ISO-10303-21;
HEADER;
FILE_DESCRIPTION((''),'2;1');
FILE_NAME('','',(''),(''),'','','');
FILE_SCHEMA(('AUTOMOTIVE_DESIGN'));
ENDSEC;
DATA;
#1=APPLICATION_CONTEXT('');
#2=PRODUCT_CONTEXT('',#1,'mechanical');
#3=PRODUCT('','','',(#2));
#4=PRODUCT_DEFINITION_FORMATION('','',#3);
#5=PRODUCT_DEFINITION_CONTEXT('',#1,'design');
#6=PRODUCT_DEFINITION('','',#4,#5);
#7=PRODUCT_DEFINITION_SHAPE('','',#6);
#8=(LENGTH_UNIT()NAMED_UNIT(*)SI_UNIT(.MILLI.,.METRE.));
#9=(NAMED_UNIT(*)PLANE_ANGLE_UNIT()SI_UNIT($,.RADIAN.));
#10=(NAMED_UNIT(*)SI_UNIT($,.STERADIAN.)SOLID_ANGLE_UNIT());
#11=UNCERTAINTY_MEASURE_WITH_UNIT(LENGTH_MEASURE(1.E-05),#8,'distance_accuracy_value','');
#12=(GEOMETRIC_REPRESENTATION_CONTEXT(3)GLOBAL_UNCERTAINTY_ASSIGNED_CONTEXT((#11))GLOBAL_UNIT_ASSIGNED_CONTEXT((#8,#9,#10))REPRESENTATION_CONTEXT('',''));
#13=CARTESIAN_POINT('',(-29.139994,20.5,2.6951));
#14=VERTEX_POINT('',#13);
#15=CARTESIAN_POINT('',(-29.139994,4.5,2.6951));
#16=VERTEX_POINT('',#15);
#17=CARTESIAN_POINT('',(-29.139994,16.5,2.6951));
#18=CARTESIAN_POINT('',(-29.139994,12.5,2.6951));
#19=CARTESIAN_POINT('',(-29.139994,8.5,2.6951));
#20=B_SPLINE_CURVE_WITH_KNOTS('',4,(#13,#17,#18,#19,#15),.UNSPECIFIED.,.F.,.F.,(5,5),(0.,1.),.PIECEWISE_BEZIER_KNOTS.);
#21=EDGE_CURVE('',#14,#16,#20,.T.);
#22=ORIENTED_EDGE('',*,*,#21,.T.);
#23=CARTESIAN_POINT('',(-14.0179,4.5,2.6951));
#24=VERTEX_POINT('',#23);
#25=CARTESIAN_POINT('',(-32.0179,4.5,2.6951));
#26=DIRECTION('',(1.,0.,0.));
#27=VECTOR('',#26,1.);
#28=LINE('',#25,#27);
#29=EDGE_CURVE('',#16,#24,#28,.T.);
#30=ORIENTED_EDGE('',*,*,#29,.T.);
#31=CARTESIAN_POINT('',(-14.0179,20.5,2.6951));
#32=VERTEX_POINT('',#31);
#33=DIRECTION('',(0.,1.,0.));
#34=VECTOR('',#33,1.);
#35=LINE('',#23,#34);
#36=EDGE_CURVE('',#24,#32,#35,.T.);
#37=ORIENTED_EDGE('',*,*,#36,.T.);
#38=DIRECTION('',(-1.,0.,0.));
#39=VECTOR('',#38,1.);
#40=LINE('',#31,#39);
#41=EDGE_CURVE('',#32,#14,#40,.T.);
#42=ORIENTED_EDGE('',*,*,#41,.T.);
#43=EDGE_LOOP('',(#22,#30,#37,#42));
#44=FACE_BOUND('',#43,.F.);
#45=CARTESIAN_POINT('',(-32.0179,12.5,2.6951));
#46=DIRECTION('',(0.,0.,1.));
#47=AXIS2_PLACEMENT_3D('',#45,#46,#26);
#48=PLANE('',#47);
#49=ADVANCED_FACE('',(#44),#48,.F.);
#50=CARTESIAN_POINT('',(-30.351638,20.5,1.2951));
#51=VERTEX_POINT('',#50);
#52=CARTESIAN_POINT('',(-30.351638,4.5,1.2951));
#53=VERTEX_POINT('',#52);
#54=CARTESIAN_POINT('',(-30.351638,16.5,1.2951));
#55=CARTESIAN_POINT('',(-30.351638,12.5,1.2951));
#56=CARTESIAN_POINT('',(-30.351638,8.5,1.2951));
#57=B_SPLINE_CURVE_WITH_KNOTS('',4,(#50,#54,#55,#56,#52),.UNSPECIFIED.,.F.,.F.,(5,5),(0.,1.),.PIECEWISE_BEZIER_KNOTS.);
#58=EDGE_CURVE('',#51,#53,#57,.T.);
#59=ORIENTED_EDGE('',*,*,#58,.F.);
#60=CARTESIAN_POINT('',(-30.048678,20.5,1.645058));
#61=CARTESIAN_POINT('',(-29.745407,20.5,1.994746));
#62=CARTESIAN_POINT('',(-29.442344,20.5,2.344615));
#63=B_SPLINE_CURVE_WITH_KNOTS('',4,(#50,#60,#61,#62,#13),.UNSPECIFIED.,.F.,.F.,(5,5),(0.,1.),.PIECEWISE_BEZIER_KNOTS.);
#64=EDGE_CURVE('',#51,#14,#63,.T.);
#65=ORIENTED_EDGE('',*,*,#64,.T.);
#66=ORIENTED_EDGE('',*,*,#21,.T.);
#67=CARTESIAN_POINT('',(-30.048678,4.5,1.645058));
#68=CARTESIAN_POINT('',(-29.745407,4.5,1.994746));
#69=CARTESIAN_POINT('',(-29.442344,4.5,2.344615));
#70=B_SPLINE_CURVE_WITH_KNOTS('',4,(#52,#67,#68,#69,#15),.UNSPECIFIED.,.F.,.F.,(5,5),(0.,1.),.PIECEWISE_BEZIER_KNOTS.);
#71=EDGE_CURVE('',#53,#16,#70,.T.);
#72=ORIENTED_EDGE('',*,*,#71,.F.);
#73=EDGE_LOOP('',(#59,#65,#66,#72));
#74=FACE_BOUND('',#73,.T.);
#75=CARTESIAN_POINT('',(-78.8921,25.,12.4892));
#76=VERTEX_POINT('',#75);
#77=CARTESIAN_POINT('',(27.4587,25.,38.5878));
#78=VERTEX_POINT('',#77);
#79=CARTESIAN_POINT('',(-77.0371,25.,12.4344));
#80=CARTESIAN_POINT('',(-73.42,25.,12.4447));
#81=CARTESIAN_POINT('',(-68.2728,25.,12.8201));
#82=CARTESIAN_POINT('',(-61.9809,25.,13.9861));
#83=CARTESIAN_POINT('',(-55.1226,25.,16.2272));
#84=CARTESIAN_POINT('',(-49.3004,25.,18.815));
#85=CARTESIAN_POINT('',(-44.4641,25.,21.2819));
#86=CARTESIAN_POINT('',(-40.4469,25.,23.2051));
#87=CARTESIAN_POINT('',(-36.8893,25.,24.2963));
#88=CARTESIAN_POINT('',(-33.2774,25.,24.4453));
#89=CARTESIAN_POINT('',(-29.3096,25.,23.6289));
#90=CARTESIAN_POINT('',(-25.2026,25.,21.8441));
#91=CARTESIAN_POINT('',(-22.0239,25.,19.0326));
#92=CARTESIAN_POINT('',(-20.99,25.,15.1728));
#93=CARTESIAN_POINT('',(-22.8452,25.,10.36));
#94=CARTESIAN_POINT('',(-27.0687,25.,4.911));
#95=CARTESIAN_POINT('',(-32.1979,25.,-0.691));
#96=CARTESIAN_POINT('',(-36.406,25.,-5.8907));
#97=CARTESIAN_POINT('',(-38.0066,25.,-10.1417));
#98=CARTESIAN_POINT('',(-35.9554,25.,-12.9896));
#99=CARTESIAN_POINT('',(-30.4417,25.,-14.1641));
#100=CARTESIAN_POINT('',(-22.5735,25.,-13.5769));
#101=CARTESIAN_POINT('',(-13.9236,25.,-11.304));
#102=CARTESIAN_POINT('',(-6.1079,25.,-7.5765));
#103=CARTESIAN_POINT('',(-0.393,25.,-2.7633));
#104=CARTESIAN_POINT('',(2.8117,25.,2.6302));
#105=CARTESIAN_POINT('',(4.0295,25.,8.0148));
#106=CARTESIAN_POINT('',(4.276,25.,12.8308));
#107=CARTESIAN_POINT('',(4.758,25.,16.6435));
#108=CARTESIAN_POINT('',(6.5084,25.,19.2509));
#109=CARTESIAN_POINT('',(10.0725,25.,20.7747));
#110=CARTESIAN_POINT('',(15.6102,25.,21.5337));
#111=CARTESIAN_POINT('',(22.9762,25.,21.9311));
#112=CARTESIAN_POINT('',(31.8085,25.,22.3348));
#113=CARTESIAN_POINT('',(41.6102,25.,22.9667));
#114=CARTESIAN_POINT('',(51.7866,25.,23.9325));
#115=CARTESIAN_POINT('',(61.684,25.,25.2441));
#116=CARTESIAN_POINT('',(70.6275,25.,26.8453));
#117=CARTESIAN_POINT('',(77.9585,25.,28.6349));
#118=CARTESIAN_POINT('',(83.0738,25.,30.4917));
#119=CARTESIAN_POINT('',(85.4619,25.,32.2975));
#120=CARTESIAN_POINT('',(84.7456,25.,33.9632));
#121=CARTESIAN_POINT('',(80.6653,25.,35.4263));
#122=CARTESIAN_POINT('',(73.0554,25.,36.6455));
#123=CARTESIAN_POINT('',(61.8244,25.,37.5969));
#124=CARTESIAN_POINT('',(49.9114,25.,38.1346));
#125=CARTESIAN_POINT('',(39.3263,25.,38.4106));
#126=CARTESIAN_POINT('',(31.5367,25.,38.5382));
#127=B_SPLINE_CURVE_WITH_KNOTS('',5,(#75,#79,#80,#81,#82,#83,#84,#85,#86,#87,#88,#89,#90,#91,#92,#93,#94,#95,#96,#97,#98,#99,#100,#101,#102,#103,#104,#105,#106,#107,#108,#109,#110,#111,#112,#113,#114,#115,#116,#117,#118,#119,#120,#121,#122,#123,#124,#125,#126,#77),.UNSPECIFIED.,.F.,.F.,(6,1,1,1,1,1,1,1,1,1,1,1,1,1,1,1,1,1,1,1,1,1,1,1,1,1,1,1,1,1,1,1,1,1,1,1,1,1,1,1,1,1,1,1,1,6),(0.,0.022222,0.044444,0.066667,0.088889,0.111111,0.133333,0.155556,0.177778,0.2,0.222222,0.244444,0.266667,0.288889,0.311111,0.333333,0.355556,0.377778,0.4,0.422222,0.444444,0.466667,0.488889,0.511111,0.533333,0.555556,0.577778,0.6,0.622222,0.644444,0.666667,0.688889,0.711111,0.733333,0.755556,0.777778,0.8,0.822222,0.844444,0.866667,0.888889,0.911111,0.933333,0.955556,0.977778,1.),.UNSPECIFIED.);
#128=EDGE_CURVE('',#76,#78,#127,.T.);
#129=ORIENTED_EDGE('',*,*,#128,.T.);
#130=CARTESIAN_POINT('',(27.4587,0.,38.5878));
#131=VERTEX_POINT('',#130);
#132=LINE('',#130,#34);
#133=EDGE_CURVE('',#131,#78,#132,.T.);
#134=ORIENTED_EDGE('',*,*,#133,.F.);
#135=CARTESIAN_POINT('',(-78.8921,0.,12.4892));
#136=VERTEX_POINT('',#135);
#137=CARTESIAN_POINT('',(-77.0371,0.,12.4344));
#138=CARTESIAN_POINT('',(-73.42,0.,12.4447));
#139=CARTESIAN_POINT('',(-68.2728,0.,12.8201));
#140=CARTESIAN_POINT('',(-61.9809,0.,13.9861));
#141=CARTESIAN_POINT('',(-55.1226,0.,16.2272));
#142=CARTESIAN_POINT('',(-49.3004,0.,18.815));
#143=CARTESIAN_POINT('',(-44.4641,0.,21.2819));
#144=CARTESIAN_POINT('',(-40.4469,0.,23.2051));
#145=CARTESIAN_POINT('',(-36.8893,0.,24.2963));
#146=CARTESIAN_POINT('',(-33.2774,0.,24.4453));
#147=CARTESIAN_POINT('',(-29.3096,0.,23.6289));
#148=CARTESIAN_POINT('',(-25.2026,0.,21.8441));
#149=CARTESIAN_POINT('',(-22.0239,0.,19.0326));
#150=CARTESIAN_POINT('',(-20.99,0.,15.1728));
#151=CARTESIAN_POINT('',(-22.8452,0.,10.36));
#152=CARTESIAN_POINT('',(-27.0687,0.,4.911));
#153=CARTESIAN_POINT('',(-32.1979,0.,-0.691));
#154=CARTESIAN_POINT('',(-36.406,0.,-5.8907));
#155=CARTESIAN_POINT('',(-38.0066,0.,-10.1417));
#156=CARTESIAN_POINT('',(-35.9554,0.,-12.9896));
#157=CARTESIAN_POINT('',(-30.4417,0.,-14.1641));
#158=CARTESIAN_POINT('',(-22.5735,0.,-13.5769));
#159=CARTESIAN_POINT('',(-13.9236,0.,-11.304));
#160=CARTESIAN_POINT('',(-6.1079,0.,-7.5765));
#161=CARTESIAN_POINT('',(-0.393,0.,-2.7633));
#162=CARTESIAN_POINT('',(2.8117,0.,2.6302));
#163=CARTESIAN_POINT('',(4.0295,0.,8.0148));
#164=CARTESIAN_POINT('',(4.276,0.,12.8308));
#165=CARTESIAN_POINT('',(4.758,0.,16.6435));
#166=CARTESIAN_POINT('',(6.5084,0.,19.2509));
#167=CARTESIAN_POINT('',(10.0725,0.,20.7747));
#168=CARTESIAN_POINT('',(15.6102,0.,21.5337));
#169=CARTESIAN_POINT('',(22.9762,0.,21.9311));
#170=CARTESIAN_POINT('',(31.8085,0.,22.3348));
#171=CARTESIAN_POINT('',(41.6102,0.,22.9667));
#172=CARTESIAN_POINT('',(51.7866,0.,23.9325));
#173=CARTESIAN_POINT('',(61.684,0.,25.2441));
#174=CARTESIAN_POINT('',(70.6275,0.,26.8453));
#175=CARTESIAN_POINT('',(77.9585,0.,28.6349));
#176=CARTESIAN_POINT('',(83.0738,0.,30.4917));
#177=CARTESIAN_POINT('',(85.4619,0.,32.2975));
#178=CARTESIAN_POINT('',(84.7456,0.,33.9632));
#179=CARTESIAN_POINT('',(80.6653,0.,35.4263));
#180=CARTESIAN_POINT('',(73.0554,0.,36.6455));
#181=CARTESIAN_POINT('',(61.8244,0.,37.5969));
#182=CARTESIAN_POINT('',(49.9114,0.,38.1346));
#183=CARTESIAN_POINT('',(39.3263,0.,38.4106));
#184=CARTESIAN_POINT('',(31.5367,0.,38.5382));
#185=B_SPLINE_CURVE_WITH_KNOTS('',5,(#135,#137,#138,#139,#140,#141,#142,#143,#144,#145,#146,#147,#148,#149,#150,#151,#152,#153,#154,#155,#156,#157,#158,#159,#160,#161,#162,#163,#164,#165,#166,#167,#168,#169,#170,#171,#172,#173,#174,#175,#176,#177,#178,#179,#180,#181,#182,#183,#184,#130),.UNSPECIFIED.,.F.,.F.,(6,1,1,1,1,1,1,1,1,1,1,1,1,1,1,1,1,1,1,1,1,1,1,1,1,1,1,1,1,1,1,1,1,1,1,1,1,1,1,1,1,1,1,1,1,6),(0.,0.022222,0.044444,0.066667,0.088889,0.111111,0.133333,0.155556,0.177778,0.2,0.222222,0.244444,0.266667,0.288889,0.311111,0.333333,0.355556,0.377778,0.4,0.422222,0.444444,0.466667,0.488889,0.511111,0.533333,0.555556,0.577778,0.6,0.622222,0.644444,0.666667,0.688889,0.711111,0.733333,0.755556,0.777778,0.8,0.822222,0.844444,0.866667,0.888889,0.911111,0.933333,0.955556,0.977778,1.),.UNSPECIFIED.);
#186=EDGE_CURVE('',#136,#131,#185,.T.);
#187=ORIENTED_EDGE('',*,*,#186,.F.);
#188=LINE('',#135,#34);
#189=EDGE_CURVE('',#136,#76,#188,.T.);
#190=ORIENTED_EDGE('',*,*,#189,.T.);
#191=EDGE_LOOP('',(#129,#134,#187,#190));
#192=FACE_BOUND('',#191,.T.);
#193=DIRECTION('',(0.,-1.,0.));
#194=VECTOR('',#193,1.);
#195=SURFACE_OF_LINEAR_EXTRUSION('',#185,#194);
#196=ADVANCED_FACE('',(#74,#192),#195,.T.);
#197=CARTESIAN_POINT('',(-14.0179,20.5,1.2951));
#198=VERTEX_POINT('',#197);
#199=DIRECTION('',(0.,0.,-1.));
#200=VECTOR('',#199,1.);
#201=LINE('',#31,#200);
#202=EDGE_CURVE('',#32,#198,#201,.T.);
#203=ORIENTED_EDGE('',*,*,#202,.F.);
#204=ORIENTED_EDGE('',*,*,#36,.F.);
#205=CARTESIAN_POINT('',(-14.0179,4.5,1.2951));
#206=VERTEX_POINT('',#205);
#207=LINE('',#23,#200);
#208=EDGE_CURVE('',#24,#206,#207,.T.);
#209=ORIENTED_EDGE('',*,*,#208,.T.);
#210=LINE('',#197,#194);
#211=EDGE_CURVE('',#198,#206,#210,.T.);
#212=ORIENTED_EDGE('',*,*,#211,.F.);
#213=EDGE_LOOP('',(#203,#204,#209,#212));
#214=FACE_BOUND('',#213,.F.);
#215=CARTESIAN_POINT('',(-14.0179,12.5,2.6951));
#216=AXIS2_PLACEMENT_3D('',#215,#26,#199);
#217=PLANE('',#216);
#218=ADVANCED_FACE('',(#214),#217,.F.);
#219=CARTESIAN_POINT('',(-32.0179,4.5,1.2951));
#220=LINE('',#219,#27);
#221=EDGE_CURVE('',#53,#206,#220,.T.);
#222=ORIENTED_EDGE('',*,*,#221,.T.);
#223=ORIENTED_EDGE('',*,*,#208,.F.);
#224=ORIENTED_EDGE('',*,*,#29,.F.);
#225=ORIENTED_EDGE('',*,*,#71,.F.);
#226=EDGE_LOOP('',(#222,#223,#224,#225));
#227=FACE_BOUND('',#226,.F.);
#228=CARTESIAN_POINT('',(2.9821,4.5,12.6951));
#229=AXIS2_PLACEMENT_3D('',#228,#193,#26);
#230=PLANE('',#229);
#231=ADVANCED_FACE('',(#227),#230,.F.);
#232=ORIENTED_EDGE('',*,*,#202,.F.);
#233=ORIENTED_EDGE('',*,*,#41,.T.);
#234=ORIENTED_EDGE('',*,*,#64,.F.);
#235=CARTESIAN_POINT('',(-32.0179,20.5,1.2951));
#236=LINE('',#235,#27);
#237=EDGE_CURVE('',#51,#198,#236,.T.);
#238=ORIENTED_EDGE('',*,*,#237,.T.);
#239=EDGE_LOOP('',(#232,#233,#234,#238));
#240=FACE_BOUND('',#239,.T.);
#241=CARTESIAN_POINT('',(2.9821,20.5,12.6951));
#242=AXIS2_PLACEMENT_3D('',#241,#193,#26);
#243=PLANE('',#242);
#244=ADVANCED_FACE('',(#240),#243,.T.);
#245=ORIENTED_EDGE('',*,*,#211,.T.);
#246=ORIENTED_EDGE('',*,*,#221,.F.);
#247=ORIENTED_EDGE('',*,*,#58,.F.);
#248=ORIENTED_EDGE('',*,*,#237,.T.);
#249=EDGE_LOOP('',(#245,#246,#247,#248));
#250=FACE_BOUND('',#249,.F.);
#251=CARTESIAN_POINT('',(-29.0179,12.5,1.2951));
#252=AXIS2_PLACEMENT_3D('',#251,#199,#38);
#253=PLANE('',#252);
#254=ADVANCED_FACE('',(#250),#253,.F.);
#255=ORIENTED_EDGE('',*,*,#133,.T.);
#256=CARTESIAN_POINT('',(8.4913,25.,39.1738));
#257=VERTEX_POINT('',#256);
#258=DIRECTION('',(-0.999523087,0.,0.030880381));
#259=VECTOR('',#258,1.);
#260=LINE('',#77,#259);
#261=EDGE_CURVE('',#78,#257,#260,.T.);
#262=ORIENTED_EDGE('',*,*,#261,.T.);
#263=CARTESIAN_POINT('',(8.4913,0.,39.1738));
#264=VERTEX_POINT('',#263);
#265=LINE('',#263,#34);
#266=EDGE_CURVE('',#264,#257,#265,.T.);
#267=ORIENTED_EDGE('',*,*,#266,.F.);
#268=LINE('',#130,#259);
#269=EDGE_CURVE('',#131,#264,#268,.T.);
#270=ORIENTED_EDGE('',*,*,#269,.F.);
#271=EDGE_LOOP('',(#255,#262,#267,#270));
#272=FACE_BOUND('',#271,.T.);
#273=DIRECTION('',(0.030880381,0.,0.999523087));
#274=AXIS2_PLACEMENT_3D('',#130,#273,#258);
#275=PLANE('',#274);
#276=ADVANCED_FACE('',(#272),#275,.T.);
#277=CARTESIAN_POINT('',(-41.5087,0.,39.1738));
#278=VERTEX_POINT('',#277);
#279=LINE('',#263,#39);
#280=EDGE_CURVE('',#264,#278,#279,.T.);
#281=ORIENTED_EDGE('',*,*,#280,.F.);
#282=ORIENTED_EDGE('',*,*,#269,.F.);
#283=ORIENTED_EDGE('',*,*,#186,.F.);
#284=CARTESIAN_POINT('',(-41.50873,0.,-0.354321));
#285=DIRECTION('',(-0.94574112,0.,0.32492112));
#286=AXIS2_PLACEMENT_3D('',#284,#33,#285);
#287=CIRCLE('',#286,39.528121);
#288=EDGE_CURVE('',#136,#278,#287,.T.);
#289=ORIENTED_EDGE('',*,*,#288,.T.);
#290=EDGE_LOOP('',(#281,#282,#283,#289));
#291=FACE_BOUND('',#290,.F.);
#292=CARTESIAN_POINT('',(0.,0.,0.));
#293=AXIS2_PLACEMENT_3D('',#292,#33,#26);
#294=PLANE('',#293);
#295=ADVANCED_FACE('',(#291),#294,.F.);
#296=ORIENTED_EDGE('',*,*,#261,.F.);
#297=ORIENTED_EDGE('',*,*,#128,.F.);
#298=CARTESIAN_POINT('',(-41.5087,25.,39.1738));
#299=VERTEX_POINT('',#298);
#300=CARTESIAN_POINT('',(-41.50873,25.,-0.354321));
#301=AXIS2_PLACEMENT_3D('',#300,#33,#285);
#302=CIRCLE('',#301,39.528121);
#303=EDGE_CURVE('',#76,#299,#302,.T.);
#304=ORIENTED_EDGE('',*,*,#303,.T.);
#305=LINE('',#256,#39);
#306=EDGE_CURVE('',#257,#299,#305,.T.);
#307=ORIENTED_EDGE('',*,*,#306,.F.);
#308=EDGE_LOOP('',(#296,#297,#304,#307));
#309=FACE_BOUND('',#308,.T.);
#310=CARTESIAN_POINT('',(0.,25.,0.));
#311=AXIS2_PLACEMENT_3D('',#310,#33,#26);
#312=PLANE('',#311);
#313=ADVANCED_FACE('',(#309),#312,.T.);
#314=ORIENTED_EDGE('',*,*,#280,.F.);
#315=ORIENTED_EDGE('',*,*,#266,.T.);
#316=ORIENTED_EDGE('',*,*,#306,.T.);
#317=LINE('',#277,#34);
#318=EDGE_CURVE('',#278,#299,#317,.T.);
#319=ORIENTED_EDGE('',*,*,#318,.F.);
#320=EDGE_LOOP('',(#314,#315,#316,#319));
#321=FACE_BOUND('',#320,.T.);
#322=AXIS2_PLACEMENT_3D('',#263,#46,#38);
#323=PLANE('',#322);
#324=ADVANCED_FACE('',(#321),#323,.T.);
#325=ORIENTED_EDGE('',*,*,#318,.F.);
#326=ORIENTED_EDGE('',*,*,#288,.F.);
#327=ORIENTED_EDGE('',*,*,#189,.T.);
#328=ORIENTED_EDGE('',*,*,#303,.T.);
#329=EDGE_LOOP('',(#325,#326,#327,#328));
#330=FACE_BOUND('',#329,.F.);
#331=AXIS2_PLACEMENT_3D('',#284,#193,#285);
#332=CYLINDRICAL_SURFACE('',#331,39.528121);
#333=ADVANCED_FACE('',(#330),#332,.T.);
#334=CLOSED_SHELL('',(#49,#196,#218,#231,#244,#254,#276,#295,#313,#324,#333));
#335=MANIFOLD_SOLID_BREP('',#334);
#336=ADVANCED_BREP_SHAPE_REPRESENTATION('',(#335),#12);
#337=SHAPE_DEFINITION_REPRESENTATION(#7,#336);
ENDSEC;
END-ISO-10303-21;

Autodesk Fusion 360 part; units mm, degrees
sketch "Sketch1" plane through (0, 0, 0) normal (0, 1, 0) x (1, 0, 0)
  line L0 (8.4913, -39.1738) -> (-41.5087, -39.1738)
  arc A0 (-78.8921, -12.4892) -> (-41.5087, -39.1738) centre (-41.5087, 0.3543) ccw
  spline S0 degree 5 poles (-78.8921, -12.4892) (-77.0371, -12.4344) (-73.42, -12.4447) (-68.2728, -12.8201) (-61.9809, -13.9861) (-55.1226, -16.2272) (-49.3004, -18.815) (-44.4641, -21.2819) (-40.4469, -23.2051) (-36.8893, -24.2963) (-33.2774, -24.4453) (-29.3096, -23.6289) (-25.2026, -21.8441) (-22.0239, -19.0326) (-20.99, -15.1728) (-22.8452, -10.36) (-27.0687, -4.911) (-32.1979, 0.691) (-36.406, 5.8907) (-38.0066, 10.1417) (-35.9554, 12.9896) (-30.4417, 14.1641) (-22.5735, 13.5769) (-13.9236, 11.304) (-6.1079, 7.5765) (-0.393, 2.7633) (2.8117, -2.6302) (4.0295, -8.0148) (4.276, -12.8308) (4.758, -16.6435) (6.5084, -19.2509) (10.0725, -20.7747) (15.6102, -21.5337) (22.9762, -21.9311) (31.8085, -22.3348) (41.6102, -22.9667) (51.7866, -23.9325) (61.684, -25.2441) (70.6275, -26.8453) (77.9585, -28.6349) (83.0738, -30.4917) (85.4619, -32.2975) (84.7456, -33.9632) (80.6653, -35.4263) (73.0554, -36.6455) (61.8244, -37.5969) (49.9114, -38.1346) (39.3263, -38.4106) (31.5367, -38.5382) (27.4587, -38.5878) knots 0 0 0 0 0 0 0.022222 0.044444 0.066667 0.088889 0.111111 0.133333 0.155556 0.177778 0.2 0.222222 0.244444 0.266667 0.288889 0.311111 0.333333 0.355556 0.377778 0.4 0.422222 0.444444 0.466667 0.488889 0.511111 0.533333 0.555556 0.577778 0.6 0.622222 0.644444 0.666667 0.688889 0.711111 0.733333 0.755556 0.777778 0.8 0.822222 0.844444 0.866667 0.888889 0.911111 0.933333 0.955556 0.977778 1 1 1 1 1 1
  line L1 (-99.066, -13.0852) -> (-58.7182, -11.8932)
  line L2 (27.4587, -38.5878) -> (8.4913, -39.1738)
  point P0 (-41.6041, -22.5702)
  point P1 (-29.3309, -23.4023)
  point P2 (-21.8421, -14.0414)
  point P3 (-37.0276, 10.297)
  point P4 (-3.3283, 4.8885)
  point P5 (4.9925, -16.1216)
  point P6 (82.7921, -30.683)
  point P7 (22.9044, -21.9083)
  dimension "d1" = 50
  dimension "d2" = 109.5063
extrude "Extrude1" add sketch "Sketch1" along normal blind 25
ref_plane "WorkPlane1" through (2.9821, 12.5, 12.6951) normal (0, -1, 0) x (-1, 0, 0)
sketch "Sketch2" plane through (2.9821, 12.5, 12.6951) normal (0, -1, 0) x (1, 0, 0)
  line L0 (-35, -10) -> (-17, -10)
  line L1 (-17, -10) -> (-17, -11.4)
  line L2 (-17, -11.4) -> (-35, -11.4)
  line L3 (-35, -11.4) -> (-35, -10)
  line L4 (-32, -10) -> (-32, -11.4)
  dimension "d5" = 18
  dimension "d6" = 1.4
  dimension "d7" = 3
extrude "Extrude2" cut sketch "Sketch2" along normal mid plane 16
sketch "Sketch7" plane through (0, 0, 0) normal (0, 1, 0) x (1, 0, 0)
sketch "Sketch4" plane through (0, 0, 0) normal (0, 1, 0) x (1, 0, 0)
